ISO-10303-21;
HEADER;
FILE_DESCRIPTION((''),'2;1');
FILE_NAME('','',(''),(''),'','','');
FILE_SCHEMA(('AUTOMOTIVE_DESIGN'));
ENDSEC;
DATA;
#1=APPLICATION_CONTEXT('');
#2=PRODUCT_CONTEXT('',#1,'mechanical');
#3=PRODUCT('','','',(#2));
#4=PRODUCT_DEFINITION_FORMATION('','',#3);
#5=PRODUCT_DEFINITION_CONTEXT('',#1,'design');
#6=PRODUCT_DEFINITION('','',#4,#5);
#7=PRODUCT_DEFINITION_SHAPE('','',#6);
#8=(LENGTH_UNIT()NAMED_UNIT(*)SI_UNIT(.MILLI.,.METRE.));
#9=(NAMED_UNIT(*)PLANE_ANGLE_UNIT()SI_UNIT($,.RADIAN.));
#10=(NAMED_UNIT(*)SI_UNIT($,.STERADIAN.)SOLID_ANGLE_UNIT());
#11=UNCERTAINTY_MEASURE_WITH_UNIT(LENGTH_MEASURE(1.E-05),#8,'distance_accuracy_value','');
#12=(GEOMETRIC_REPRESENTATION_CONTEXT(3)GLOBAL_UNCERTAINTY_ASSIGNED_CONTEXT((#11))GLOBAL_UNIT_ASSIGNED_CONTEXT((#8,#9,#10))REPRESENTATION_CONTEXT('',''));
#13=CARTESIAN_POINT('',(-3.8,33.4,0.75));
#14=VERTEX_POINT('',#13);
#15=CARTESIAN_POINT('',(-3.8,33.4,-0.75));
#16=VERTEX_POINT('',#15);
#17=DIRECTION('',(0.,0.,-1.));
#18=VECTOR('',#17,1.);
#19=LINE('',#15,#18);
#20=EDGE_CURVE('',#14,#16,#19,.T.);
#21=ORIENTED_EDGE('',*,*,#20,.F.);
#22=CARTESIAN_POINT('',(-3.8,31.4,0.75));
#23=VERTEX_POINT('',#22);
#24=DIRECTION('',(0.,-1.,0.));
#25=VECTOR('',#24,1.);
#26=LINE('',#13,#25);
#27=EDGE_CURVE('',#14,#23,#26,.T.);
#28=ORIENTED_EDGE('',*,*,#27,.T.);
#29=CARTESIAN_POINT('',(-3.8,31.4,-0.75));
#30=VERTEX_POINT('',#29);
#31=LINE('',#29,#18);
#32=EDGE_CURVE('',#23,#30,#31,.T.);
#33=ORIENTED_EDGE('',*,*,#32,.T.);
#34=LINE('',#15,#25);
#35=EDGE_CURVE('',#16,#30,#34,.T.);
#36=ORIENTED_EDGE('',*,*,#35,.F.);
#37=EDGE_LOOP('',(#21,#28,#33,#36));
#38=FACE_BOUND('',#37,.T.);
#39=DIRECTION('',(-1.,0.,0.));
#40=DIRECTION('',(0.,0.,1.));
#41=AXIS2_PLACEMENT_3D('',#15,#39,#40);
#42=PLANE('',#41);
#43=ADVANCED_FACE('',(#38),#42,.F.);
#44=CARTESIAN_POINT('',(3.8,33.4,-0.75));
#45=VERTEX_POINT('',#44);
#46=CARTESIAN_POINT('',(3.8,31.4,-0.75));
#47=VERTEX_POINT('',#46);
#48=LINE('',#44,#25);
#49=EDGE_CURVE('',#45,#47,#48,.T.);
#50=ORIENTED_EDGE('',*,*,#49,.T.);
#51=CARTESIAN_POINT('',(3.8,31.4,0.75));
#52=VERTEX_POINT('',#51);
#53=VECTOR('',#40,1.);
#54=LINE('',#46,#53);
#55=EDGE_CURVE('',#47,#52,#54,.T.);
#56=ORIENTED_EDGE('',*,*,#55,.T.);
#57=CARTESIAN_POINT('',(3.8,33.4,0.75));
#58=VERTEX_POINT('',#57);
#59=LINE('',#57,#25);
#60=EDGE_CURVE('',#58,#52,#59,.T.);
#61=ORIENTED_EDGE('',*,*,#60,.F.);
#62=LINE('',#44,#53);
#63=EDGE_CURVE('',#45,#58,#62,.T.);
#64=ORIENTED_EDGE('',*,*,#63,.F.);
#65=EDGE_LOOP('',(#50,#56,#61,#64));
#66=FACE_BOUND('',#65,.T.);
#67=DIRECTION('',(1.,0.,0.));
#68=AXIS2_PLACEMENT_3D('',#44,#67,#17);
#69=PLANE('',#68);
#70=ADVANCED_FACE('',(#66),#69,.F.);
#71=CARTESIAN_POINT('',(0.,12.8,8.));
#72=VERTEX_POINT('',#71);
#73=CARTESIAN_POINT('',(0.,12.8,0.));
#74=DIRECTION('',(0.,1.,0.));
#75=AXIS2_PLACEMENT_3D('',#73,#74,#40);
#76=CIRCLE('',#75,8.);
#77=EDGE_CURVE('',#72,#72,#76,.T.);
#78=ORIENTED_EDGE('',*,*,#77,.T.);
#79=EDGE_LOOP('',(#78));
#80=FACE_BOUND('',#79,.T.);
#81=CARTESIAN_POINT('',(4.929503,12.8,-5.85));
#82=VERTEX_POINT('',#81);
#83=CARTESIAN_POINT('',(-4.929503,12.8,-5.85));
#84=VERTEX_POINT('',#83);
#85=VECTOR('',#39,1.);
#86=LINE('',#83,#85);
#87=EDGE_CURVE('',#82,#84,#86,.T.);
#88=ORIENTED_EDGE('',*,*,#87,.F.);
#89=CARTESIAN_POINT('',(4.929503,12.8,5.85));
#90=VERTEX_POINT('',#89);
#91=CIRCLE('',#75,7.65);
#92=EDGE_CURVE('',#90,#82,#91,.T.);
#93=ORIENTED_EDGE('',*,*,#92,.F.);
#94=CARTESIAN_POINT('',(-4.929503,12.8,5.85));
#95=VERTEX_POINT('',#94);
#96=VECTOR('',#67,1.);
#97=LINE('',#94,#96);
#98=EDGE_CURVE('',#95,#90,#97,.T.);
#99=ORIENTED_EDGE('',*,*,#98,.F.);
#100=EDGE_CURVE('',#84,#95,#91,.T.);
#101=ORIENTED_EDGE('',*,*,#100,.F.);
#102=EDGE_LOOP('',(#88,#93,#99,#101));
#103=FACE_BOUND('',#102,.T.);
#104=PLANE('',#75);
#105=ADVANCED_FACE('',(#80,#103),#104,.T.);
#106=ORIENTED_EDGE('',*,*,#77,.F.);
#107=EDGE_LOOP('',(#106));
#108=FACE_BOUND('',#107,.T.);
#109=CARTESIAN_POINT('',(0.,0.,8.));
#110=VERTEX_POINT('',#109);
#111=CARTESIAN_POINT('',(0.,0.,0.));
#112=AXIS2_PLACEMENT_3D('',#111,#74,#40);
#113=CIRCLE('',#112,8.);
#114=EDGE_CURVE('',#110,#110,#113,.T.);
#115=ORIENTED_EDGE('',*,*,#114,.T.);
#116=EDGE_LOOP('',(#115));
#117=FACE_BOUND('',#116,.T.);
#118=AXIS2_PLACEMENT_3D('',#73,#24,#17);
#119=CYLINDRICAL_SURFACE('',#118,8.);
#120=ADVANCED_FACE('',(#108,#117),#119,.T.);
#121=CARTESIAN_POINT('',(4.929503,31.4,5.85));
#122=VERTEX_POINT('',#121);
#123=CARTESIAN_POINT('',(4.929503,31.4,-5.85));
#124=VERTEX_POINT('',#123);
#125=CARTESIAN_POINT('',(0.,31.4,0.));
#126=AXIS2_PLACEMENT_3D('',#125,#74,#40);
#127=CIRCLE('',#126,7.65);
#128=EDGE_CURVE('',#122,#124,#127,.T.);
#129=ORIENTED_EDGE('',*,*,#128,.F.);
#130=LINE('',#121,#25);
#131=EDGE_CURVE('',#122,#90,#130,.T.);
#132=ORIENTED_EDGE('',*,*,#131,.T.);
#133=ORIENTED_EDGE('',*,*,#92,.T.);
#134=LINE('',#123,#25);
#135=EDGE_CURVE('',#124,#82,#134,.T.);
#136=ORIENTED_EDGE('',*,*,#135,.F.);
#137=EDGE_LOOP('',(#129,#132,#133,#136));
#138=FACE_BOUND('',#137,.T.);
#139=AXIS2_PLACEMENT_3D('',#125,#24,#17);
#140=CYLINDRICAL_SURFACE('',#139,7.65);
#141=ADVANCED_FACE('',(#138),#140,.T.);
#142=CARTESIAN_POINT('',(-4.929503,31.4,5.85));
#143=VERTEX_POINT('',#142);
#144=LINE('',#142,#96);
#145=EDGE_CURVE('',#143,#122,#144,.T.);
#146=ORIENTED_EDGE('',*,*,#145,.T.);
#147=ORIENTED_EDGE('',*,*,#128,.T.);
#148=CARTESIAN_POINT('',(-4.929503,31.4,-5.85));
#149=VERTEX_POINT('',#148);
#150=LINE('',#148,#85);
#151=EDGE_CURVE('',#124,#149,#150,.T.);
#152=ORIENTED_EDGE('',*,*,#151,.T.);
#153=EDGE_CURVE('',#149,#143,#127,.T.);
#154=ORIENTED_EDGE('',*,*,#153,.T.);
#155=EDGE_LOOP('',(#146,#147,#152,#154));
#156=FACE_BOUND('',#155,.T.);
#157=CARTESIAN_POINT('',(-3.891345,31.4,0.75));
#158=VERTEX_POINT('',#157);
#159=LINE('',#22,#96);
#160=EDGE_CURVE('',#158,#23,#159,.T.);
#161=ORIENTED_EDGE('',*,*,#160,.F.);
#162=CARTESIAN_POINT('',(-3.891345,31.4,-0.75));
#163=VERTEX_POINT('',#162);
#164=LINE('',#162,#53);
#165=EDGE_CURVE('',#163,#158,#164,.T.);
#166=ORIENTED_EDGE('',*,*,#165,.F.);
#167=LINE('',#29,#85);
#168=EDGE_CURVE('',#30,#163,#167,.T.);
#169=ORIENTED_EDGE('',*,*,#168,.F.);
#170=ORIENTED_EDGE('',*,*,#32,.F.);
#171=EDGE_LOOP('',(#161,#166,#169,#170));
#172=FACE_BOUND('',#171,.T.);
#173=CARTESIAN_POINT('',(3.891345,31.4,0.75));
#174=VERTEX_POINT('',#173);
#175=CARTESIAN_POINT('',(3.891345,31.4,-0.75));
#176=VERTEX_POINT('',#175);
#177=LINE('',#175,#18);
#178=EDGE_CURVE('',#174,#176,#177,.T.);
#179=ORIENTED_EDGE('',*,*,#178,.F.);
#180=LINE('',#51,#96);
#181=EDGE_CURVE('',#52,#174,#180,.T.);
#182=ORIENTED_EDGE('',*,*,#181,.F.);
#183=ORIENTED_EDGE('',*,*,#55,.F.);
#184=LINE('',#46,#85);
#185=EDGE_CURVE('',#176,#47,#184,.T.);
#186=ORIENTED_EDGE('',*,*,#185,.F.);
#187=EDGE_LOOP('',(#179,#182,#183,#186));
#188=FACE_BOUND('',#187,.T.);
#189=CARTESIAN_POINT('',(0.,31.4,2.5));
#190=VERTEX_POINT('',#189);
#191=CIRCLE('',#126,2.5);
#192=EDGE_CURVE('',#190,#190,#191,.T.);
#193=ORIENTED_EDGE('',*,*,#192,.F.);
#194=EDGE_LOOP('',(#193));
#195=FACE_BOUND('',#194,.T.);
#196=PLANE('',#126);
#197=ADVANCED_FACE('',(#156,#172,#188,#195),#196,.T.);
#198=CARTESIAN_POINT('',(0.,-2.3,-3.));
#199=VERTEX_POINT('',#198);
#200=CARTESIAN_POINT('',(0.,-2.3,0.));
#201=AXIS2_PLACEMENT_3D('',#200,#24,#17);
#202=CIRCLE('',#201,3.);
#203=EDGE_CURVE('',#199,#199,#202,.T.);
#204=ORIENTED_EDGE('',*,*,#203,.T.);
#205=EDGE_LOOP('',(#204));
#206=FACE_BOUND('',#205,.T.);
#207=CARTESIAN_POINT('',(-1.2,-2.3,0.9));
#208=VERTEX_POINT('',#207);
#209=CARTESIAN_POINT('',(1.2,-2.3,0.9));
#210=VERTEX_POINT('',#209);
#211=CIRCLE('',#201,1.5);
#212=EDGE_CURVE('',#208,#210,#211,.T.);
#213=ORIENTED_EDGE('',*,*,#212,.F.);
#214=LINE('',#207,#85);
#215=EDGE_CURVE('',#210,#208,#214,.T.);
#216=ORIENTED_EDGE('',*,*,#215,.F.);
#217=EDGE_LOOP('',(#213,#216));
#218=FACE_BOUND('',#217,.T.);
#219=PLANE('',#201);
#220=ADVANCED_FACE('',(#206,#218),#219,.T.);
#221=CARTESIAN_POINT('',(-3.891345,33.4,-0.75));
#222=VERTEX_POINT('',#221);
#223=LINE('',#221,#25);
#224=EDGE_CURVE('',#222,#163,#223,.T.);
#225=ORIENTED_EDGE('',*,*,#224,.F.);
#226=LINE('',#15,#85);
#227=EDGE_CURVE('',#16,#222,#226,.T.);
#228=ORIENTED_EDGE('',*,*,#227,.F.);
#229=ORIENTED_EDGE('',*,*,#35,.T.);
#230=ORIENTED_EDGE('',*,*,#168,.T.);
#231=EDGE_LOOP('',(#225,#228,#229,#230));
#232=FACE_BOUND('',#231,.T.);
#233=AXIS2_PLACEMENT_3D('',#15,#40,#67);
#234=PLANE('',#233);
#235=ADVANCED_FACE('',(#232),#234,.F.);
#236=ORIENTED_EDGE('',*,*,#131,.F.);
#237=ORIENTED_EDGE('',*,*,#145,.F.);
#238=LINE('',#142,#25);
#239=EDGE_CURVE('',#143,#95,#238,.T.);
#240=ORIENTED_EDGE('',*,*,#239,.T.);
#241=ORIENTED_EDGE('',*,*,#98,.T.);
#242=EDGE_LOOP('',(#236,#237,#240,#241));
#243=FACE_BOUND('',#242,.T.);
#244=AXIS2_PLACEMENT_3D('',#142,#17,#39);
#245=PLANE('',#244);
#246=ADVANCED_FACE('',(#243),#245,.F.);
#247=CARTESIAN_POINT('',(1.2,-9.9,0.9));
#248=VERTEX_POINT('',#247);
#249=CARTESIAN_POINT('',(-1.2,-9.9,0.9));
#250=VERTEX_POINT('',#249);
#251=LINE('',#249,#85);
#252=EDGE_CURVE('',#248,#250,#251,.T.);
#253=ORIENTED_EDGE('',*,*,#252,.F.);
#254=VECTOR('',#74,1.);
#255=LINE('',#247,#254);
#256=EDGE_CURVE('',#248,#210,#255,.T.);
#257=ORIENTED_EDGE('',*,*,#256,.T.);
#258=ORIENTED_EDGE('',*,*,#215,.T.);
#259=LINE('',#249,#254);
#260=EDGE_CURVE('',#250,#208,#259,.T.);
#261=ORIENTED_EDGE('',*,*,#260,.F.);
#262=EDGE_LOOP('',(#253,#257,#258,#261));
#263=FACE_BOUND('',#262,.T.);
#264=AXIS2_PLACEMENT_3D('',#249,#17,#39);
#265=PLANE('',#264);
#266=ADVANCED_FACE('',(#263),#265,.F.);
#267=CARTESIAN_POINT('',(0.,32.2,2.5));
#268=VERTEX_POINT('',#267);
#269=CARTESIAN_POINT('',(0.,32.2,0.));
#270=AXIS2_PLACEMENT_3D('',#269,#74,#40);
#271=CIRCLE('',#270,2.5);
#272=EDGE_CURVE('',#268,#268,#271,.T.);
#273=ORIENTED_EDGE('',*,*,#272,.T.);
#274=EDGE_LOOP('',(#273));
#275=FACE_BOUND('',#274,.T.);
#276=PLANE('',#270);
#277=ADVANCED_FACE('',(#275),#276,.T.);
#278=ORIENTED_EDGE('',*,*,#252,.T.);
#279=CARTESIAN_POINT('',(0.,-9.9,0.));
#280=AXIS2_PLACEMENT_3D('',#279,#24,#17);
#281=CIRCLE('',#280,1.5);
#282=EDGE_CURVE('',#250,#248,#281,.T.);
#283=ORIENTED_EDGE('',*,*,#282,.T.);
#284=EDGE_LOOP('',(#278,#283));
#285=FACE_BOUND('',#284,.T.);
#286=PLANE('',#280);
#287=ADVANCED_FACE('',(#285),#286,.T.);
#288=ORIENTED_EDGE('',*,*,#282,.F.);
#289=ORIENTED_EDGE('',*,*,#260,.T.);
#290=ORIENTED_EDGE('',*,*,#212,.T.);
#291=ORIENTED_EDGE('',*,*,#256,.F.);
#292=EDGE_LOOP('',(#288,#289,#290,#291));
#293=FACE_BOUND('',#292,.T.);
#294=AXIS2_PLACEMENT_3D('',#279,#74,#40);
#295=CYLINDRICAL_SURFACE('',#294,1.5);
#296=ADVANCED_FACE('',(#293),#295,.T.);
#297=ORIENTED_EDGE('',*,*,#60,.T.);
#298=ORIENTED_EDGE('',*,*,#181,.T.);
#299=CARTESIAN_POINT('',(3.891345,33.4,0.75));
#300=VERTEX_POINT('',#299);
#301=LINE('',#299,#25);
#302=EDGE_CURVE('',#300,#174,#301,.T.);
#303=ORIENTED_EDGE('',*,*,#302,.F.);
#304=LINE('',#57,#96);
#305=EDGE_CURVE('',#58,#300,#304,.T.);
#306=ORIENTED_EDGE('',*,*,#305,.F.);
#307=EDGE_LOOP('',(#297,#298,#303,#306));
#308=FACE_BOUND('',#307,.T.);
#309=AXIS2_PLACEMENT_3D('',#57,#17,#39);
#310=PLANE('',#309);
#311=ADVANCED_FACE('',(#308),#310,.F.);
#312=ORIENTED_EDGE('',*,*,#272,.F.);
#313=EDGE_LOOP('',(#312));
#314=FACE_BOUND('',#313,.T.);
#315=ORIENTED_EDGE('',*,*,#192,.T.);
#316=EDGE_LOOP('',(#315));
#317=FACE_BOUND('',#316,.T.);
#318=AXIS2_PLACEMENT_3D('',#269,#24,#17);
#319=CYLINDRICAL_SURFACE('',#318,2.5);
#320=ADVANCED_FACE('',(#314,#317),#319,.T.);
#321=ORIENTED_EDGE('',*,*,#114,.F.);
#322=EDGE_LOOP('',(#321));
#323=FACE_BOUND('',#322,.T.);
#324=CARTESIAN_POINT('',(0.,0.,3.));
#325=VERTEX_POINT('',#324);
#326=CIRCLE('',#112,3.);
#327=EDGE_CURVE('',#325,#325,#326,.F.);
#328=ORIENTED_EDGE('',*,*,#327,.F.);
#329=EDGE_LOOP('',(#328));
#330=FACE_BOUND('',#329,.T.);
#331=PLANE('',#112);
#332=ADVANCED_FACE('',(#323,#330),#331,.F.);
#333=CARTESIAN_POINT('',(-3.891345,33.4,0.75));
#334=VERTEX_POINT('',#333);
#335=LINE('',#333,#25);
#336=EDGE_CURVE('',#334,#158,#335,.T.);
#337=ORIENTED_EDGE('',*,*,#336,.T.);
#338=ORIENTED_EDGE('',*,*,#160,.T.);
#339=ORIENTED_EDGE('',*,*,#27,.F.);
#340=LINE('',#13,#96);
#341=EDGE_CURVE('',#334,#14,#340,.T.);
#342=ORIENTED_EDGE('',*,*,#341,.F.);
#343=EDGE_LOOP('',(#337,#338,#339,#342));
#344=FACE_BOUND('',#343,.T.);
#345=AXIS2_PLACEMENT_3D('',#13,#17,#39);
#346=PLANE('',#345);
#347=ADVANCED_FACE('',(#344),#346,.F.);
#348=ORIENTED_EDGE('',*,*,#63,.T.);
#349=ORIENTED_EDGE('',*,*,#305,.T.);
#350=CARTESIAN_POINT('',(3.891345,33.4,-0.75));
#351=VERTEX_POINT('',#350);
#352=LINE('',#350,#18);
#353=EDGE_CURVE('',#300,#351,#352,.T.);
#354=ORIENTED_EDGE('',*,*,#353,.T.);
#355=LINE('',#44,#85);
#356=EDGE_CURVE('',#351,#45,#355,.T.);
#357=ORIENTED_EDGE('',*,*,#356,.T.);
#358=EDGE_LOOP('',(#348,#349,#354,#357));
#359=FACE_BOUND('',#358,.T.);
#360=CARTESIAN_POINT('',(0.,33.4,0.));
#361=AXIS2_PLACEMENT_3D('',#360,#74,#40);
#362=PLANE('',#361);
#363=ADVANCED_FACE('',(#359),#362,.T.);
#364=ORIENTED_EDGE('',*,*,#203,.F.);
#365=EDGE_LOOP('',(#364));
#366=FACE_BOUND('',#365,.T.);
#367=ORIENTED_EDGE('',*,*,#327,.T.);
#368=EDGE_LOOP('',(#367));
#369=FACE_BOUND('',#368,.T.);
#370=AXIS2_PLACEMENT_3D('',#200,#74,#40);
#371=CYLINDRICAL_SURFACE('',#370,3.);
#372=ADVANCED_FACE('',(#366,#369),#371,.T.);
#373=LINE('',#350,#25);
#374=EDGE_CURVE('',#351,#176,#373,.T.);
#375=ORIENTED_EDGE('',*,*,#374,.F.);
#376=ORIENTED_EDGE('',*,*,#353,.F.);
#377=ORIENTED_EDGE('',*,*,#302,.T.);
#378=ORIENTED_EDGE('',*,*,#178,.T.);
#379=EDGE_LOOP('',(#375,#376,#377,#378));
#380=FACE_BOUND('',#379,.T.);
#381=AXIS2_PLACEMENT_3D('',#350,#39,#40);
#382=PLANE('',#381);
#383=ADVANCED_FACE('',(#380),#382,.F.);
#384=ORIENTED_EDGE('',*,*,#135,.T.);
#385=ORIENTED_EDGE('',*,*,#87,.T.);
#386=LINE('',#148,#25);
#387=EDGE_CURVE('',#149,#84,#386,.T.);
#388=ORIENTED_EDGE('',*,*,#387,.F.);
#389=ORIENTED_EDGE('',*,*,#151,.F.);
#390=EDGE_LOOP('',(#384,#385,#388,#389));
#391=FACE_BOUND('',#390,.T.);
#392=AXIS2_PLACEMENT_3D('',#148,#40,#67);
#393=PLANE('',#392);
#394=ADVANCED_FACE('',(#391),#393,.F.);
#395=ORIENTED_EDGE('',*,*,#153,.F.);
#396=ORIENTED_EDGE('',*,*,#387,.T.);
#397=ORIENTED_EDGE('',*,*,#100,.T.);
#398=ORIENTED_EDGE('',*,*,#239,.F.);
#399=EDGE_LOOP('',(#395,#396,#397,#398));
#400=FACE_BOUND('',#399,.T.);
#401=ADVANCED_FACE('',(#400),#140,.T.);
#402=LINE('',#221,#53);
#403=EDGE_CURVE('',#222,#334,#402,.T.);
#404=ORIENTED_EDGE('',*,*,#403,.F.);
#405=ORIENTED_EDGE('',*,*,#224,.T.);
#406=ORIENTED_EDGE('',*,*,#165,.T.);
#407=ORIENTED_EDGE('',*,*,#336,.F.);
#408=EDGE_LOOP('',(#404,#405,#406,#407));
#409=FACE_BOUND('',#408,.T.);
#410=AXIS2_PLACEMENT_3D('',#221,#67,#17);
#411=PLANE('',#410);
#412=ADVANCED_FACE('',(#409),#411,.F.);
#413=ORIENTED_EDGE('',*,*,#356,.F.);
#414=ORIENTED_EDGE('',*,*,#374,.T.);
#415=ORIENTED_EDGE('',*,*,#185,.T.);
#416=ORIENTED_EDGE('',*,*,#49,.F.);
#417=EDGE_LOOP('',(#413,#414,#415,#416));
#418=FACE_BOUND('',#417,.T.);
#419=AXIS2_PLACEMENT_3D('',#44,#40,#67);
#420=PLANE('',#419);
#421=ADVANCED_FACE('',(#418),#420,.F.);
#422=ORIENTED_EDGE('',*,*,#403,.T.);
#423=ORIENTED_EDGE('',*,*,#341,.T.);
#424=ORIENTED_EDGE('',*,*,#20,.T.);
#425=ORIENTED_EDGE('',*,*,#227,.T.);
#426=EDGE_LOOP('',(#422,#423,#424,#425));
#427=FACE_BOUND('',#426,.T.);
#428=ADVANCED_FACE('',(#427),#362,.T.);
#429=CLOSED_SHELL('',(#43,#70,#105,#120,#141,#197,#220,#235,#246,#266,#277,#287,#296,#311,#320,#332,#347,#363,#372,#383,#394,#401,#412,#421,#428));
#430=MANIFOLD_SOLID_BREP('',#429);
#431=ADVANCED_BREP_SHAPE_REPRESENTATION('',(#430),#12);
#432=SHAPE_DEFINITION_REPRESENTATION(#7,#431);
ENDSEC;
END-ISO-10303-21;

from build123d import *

# Parameters (mm, degrees)
SKETCH_1_R      = 8
EXTRUDE_1_DEPTH = 12.8
EXTRUDE_2_DEPTH = 18.6
SKETCH_3_R      = 2.5
EXTRUDE_3_DEPTH = 0.8
SKETCH_4_W      = 0.091344541
SKETCH_4_H      = 1.5
EXTRUDE_4_DEPTH = 2
SKETCH_5_R      = 3
EXTRUDE_5_DEPTH = 2.3
EXTRUDE_6_DEPTH = 7.6


with BuildPart() as part:
    # Эскиз1 → Бобышка-Вытянуть1 (new body)
    with BuildSketch(Plane(origin=(0, 0, 0), x_dir=(1, 0, 0), z_dir=(0, 1, 0))):
        with Locations(Location((0, 0, 0), (0, 0, 270))):
            Circle(SKETCH_1_R)
    extrude(amount=EXTRUDE_1_DEPTH)

    # Эскиз2 → Бобышка-Вытянуть2 (add)
    with BuildSketch(Plane(origin=(0, 12.8, 0), x_dir=(1, 0, 0), z_dir=(0, 1, 0))):
        with BuildLine():
            Line((-4.929503018, 5.85), (4.929503018, 5.85))
            ThreePointArc((4.929503018, 5.85), (7.65, 0), (4.929503018, -5.85))
            Line((4.929503018, -5.85), (-4.929503018, -5.85))
            ThreePointArc((-4.929503018, -5.85), (-7.65, 0), (-4.929503018, 5.85))
        make_face()
    extrude(amount=EXTRUDE_2_DEPTH)

    # Эскиз3 → Бобышка-Вытянуть3 (add)
    with BuildSketch(Plane(origin=(0, 31.4, 0), x_dir=(1, 0, 0), z_dir=(0, 1, 0))):
        with Locations(Location((0, 0, 0), (0, 0, 270))):
            Circle(SKETCH_3_R)
    extrude(amount=EXTRUDE_3_DEPTH)

    # Эскиз4 → Бобышка-Вытянуть4 (add)
    with BuildSketch(Plane(origin=(0, 31.4, 0), x_dir=(1, 0, 0), z_dir=(0, 1, 0))):
        with Locations((-3.845672271, 0)):
            Rectangle(SKETCH_4_W, SKETCH_4_H)
        with Locations((3.845672271, 0)):
            Rectangle(SKETCH_4_W, SKETCH_4_H)
    extrude(amount=EXTRUDE_4_DEPTH)

    # Эскиз5 → Бобышка-Вытянуть5 (add)
    with BuildSketch(Plane.XZ):
        with Locations(Location((0, 0, 0), (0, 0, 90))):
            Circle(SKETCH_5_R)
    extrude(amount=EXTRUDE_5_DEPTH)

    # Эскиз6 → Бобышка-Вытянуть6 (add)
    with BuildSketch(Plane.XZ.offset(2.3)):
        with BuildLine():
            Line((-1.2, 0.9), (1.2, 0.9))
            ThreePointArc((1.2, 0.9), (0, -1.5), (-1.2, 0.9))
        make_face()
    extrude(amount=EXTRUDE_6_DEPTH)


solid = part.part
